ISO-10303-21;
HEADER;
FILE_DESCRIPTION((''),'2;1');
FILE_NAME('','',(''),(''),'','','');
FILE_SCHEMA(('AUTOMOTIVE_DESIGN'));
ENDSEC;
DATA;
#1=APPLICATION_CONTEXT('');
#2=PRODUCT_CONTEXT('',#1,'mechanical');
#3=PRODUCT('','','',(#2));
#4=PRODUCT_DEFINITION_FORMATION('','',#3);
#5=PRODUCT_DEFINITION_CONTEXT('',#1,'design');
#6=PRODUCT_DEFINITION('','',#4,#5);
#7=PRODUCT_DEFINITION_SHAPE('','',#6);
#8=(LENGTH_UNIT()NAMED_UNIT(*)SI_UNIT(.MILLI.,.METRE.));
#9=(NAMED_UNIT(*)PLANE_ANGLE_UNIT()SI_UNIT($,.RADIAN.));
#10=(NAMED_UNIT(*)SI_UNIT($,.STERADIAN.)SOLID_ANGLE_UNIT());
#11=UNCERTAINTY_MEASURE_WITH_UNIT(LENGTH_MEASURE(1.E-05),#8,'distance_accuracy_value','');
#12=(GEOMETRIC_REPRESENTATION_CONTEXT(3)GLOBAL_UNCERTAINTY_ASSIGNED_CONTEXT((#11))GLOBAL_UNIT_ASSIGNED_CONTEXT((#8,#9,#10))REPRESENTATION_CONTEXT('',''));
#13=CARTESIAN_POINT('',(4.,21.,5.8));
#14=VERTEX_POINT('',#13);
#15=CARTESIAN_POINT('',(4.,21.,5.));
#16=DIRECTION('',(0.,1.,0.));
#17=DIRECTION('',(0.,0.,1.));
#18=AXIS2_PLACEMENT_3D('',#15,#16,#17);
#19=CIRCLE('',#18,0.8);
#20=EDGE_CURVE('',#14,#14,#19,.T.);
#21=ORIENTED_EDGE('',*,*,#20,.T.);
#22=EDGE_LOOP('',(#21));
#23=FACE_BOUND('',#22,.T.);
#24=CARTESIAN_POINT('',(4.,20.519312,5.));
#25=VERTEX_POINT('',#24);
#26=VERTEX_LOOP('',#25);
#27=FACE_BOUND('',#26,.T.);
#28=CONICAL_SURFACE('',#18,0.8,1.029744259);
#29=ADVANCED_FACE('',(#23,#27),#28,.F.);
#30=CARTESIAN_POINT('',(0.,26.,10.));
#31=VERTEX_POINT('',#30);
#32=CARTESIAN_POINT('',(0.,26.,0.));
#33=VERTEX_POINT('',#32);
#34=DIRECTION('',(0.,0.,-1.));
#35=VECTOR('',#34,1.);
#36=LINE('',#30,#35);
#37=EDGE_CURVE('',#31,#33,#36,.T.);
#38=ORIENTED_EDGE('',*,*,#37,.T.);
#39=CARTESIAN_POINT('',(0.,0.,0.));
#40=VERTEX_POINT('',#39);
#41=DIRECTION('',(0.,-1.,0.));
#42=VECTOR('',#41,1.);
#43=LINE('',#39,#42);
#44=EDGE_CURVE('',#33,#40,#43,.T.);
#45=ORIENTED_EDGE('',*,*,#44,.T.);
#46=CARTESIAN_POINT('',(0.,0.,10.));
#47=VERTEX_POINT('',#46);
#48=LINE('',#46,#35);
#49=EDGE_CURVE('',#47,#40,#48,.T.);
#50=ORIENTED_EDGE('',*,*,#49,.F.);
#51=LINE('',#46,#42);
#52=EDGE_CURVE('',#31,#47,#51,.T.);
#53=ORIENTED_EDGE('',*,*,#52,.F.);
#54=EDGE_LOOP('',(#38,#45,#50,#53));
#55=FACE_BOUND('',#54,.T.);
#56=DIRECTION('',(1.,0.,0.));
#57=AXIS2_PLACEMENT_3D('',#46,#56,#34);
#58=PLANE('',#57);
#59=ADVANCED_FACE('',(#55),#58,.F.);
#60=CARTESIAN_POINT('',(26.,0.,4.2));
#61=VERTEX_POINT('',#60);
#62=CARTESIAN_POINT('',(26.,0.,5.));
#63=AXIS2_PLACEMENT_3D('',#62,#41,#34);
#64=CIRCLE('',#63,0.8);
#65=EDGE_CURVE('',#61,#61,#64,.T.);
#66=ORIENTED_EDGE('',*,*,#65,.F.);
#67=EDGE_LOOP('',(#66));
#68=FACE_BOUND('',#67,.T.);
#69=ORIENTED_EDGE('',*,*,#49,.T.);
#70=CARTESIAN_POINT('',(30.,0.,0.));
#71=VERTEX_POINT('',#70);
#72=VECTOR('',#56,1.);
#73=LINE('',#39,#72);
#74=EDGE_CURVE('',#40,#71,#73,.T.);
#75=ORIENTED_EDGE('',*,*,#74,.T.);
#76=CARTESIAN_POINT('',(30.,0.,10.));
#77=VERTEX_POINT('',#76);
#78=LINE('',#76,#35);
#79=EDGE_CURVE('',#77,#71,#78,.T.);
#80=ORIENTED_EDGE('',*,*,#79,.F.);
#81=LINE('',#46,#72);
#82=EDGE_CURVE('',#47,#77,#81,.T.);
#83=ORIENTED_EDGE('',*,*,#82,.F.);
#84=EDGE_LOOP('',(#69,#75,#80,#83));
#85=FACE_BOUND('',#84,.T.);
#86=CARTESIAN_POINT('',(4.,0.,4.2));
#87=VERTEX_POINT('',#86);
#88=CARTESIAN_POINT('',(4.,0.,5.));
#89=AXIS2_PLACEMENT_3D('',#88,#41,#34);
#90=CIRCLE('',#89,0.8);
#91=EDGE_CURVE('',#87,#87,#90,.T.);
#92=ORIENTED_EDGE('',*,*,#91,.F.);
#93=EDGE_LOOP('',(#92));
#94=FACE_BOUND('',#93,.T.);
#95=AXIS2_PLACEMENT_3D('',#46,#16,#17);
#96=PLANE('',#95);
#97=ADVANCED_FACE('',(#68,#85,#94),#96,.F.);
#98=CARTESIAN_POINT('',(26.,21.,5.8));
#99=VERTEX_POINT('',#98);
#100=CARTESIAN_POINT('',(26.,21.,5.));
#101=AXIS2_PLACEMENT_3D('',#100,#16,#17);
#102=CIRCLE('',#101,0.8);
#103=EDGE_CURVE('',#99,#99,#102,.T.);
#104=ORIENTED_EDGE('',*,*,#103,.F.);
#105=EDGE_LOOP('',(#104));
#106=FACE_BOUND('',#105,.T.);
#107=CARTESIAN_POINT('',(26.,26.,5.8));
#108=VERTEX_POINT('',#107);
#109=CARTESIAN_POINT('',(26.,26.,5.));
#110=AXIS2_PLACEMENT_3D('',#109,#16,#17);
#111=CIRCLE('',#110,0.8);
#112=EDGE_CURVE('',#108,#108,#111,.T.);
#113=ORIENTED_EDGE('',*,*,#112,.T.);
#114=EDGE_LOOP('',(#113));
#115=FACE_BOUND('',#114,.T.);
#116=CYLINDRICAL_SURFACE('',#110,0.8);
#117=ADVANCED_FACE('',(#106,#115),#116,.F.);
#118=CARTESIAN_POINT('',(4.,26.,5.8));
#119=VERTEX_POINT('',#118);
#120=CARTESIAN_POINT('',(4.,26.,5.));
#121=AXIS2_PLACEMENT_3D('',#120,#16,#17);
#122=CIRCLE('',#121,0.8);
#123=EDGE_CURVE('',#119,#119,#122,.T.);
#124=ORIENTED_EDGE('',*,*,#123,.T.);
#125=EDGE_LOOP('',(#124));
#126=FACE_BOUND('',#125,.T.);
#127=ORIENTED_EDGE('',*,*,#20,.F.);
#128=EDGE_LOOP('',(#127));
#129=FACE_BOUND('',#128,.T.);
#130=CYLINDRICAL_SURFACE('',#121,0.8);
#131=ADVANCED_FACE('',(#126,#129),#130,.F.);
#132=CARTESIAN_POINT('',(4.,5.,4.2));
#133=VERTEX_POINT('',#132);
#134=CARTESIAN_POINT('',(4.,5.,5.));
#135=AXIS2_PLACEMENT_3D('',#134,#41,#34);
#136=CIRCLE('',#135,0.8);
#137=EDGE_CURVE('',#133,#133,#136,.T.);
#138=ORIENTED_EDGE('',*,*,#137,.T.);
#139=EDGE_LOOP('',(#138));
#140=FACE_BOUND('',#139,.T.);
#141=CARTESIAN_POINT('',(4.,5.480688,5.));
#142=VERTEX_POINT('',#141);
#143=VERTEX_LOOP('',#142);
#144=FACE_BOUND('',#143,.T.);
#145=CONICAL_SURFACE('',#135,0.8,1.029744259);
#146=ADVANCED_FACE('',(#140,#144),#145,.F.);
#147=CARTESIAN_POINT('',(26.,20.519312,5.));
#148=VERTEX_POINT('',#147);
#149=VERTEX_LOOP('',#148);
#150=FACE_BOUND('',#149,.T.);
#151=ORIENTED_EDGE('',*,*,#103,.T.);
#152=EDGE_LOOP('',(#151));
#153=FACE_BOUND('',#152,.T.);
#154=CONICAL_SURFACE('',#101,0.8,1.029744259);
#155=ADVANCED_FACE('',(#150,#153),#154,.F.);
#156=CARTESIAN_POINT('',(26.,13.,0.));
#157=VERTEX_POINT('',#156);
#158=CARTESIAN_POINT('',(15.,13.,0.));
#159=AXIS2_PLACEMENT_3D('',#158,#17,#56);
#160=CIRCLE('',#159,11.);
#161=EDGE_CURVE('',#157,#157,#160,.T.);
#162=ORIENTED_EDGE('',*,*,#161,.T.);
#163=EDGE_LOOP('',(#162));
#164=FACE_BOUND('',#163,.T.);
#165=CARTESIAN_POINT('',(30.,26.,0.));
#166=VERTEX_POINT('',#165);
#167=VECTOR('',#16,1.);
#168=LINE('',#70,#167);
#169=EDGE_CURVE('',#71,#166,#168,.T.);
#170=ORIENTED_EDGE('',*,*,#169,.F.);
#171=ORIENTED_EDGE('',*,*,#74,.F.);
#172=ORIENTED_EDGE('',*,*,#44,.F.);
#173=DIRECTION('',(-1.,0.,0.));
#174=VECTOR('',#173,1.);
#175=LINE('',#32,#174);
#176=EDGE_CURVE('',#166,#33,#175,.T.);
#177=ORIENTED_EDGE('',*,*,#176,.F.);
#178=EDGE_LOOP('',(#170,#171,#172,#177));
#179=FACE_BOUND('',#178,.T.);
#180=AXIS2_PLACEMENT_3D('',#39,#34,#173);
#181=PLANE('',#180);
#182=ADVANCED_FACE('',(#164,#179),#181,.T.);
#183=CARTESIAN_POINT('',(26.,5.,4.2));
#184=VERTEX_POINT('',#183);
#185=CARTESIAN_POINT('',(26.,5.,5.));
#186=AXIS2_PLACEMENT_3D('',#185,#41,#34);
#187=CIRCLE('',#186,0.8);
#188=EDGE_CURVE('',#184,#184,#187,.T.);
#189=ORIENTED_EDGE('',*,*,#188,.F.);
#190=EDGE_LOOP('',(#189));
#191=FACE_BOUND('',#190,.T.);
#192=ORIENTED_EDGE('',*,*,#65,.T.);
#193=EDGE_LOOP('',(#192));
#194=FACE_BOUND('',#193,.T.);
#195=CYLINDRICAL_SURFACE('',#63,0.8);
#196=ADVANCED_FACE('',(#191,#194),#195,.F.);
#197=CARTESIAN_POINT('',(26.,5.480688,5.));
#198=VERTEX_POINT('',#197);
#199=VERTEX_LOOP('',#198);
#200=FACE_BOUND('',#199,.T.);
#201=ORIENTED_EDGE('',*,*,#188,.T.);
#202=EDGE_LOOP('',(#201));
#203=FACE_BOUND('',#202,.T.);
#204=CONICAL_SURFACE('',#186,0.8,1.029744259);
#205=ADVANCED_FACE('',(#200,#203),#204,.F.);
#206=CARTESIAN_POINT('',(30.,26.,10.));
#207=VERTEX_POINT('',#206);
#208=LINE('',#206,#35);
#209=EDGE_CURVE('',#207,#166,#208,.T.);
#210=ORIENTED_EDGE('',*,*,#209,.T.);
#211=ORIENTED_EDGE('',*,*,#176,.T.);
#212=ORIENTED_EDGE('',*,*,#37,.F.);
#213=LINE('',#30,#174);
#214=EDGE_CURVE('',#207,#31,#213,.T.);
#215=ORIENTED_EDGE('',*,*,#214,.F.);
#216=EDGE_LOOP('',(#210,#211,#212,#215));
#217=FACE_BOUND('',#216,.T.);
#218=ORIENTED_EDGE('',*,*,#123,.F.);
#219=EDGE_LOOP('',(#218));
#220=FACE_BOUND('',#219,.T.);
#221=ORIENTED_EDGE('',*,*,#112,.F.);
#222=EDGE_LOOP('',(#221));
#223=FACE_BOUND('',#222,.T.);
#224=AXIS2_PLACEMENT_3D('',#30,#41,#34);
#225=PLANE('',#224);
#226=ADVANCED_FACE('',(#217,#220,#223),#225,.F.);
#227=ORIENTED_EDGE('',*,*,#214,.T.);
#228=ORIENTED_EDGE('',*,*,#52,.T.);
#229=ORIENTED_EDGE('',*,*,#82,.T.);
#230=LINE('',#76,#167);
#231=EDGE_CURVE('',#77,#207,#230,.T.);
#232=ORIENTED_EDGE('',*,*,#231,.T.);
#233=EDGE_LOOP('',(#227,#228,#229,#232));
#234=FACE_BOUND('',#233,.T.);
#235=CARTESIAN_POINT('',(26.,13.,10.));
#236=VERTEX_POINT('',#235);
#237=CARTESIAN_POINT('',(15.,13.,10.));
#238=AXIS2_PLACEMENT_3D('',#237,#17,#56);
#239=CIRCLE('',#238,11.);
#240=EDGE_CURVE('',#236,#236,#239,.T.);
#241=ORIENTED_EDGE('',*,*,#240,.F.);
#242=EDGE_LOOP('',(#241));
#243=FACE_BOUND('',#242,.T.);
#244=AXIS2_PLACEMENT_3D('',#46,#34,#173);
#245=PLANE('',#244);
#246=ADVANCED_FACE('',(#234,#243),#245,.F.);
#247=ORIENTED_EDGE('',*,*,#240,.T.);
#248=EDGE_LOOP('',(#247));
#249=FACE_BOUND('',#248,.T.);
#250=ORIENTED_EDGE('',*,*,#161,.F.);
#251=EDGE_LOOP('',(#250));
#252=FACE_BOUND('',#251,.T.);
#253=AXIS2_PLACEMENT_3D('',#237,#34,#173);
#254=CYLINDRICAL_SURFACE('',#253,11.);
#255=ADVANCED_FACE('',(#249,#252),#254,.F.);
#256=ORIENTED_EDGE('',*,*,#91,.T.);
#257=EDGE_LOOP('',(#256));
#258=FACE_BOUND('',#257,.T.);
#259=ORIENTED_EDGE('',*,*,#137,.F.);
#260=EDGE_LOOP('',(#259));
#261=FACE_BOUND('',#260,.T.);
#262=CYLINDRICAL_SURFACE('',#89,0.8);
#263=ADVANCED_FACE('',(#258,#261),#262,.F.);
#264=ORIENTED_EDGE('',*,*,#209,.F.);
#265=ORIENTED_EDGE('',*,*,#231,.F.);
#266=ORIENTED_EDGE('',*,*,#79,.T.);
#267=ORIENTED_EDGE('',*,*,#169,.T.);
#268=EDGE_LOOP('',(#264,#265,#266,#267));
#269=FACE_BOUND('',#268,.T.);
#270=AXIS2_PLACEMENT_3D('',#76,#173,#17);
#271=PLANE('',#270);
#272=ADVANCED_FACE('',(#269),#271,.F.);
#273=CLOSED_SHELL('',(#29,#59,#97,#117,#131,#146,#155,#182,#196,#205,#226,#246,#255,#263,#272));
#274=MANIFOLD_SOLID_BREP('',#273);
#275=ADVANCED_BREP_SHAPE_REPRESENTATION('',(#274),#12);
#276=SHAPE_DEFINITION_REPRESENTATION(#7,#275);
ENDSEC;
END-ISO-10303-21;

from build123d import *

# Parameters (mm, degrees)
ESQUISSE1_W                                   = 30
ESQUISSE1_H                                   = 26
ESQUISSE1_R                                   = 11
BOSS_EXTRU_1_DEPTH                            = 10
TROU_POUR_TARAUDAGE_POUR_TROU_TARAUD_M2_D     = 1.6
TROU_POUR_TARAUDAGE_POUR_TROU_TARAUD_M2_DEPTH = 5
TROU_POUR_TARAUDAGE_POUR_TROU_TARAUD_M2_TIP   = 0.480688495
TROU_POUR_TARAUDAGE_POUR_TROU_TARAUD_2_D      = 1.6
TROU_POUR_TARAUDAGE_POUR_TROU_TARAUD_2_DEPTH  = 5
TROU_POUR_TARAUDAGE_POUR_TROU_TARAUD_2_TIP    = 0.480688495


with BuildPart() as part:
    # Esquisse1 → Boss.-Extru.1 (new body)
    with BuildSketch(Plane.XY):
        with Locations((15, 13)):
            Rectangle(ESQUISSE1_W, ESQUISSE1_H)
        with Locations((15, 13)):
            Circle(ESQUISSE1_R, mode=Mode.SUBTRACT)
    extrude(amount=BOSS_EXTRU_1_DEPTH)

    # Trou pour taraudage pour trou taraud_ M2
    with Locations(Plane(origin=(0, 26, 0), x_dir=(1, 0, 0), z_dir=(0, 1, 0))):
        with Locations((4, -5), (26, -5)):
            Hole(TROU_POUR_TARAUDAGE_POUR_TROU_TARAUD_M2_D / 2, depth=TROU_POUR_TARAUDAGE_POUR_TROU_TARAUD_M2_DEPTH)
            with Locations((0, 0, -(TROU_POUR_TARAUDAGE_POUR_TROU_TARAUD_M2_DEPTH + TROU_POUR_TARAUDAGE_POUR_TROU_TARAUD_M2_TIP / 2))):  # 118° drill point
                Cone(0, TROU_POUR_TARAUDAGE_POUR_TROU_TARAUD_M2_D / 2, TROU_POUR_TARAUDAGE_POUR_TROU_TARAUD_M2_TIP, mode=Mode.SUBTRACT)

    # Trou pour taraudage pour trou taraud 2
    with Locations(Plane(origin=(0, 0, 0), x_dir=(-1, 0, 0), z_dir=(0, -1, 0))):
        with Locations((-4, -5), (-26, -5)):
            Hole(TROU_POUR_TARAUDAGE_POUR_TROU_TARAUD_2_D / 2, depth=TROU_POUR_TARAUDAGE_POUR_TROU_TARAUD_2_DEPTH)
            with Locations((0, 0, -(TROU_POUR_TARAUDAGE_POUR_TROU_TARAUD_2_DEPTH + TROU_POUR_TARAUDAGE_POUR_TROU_TARAUD_2_TIP / 2))):  # 118° drill point
                Cone(0, TROU_POUR_TARAUDAGE_POUR_TROU_TARAUD_2_D / 2, TROU_POUR_TARAUDAGE_POUR_TROU_TARAUD_2_TIP, mode=Mode.SUBTRACT)


solid = part.part
